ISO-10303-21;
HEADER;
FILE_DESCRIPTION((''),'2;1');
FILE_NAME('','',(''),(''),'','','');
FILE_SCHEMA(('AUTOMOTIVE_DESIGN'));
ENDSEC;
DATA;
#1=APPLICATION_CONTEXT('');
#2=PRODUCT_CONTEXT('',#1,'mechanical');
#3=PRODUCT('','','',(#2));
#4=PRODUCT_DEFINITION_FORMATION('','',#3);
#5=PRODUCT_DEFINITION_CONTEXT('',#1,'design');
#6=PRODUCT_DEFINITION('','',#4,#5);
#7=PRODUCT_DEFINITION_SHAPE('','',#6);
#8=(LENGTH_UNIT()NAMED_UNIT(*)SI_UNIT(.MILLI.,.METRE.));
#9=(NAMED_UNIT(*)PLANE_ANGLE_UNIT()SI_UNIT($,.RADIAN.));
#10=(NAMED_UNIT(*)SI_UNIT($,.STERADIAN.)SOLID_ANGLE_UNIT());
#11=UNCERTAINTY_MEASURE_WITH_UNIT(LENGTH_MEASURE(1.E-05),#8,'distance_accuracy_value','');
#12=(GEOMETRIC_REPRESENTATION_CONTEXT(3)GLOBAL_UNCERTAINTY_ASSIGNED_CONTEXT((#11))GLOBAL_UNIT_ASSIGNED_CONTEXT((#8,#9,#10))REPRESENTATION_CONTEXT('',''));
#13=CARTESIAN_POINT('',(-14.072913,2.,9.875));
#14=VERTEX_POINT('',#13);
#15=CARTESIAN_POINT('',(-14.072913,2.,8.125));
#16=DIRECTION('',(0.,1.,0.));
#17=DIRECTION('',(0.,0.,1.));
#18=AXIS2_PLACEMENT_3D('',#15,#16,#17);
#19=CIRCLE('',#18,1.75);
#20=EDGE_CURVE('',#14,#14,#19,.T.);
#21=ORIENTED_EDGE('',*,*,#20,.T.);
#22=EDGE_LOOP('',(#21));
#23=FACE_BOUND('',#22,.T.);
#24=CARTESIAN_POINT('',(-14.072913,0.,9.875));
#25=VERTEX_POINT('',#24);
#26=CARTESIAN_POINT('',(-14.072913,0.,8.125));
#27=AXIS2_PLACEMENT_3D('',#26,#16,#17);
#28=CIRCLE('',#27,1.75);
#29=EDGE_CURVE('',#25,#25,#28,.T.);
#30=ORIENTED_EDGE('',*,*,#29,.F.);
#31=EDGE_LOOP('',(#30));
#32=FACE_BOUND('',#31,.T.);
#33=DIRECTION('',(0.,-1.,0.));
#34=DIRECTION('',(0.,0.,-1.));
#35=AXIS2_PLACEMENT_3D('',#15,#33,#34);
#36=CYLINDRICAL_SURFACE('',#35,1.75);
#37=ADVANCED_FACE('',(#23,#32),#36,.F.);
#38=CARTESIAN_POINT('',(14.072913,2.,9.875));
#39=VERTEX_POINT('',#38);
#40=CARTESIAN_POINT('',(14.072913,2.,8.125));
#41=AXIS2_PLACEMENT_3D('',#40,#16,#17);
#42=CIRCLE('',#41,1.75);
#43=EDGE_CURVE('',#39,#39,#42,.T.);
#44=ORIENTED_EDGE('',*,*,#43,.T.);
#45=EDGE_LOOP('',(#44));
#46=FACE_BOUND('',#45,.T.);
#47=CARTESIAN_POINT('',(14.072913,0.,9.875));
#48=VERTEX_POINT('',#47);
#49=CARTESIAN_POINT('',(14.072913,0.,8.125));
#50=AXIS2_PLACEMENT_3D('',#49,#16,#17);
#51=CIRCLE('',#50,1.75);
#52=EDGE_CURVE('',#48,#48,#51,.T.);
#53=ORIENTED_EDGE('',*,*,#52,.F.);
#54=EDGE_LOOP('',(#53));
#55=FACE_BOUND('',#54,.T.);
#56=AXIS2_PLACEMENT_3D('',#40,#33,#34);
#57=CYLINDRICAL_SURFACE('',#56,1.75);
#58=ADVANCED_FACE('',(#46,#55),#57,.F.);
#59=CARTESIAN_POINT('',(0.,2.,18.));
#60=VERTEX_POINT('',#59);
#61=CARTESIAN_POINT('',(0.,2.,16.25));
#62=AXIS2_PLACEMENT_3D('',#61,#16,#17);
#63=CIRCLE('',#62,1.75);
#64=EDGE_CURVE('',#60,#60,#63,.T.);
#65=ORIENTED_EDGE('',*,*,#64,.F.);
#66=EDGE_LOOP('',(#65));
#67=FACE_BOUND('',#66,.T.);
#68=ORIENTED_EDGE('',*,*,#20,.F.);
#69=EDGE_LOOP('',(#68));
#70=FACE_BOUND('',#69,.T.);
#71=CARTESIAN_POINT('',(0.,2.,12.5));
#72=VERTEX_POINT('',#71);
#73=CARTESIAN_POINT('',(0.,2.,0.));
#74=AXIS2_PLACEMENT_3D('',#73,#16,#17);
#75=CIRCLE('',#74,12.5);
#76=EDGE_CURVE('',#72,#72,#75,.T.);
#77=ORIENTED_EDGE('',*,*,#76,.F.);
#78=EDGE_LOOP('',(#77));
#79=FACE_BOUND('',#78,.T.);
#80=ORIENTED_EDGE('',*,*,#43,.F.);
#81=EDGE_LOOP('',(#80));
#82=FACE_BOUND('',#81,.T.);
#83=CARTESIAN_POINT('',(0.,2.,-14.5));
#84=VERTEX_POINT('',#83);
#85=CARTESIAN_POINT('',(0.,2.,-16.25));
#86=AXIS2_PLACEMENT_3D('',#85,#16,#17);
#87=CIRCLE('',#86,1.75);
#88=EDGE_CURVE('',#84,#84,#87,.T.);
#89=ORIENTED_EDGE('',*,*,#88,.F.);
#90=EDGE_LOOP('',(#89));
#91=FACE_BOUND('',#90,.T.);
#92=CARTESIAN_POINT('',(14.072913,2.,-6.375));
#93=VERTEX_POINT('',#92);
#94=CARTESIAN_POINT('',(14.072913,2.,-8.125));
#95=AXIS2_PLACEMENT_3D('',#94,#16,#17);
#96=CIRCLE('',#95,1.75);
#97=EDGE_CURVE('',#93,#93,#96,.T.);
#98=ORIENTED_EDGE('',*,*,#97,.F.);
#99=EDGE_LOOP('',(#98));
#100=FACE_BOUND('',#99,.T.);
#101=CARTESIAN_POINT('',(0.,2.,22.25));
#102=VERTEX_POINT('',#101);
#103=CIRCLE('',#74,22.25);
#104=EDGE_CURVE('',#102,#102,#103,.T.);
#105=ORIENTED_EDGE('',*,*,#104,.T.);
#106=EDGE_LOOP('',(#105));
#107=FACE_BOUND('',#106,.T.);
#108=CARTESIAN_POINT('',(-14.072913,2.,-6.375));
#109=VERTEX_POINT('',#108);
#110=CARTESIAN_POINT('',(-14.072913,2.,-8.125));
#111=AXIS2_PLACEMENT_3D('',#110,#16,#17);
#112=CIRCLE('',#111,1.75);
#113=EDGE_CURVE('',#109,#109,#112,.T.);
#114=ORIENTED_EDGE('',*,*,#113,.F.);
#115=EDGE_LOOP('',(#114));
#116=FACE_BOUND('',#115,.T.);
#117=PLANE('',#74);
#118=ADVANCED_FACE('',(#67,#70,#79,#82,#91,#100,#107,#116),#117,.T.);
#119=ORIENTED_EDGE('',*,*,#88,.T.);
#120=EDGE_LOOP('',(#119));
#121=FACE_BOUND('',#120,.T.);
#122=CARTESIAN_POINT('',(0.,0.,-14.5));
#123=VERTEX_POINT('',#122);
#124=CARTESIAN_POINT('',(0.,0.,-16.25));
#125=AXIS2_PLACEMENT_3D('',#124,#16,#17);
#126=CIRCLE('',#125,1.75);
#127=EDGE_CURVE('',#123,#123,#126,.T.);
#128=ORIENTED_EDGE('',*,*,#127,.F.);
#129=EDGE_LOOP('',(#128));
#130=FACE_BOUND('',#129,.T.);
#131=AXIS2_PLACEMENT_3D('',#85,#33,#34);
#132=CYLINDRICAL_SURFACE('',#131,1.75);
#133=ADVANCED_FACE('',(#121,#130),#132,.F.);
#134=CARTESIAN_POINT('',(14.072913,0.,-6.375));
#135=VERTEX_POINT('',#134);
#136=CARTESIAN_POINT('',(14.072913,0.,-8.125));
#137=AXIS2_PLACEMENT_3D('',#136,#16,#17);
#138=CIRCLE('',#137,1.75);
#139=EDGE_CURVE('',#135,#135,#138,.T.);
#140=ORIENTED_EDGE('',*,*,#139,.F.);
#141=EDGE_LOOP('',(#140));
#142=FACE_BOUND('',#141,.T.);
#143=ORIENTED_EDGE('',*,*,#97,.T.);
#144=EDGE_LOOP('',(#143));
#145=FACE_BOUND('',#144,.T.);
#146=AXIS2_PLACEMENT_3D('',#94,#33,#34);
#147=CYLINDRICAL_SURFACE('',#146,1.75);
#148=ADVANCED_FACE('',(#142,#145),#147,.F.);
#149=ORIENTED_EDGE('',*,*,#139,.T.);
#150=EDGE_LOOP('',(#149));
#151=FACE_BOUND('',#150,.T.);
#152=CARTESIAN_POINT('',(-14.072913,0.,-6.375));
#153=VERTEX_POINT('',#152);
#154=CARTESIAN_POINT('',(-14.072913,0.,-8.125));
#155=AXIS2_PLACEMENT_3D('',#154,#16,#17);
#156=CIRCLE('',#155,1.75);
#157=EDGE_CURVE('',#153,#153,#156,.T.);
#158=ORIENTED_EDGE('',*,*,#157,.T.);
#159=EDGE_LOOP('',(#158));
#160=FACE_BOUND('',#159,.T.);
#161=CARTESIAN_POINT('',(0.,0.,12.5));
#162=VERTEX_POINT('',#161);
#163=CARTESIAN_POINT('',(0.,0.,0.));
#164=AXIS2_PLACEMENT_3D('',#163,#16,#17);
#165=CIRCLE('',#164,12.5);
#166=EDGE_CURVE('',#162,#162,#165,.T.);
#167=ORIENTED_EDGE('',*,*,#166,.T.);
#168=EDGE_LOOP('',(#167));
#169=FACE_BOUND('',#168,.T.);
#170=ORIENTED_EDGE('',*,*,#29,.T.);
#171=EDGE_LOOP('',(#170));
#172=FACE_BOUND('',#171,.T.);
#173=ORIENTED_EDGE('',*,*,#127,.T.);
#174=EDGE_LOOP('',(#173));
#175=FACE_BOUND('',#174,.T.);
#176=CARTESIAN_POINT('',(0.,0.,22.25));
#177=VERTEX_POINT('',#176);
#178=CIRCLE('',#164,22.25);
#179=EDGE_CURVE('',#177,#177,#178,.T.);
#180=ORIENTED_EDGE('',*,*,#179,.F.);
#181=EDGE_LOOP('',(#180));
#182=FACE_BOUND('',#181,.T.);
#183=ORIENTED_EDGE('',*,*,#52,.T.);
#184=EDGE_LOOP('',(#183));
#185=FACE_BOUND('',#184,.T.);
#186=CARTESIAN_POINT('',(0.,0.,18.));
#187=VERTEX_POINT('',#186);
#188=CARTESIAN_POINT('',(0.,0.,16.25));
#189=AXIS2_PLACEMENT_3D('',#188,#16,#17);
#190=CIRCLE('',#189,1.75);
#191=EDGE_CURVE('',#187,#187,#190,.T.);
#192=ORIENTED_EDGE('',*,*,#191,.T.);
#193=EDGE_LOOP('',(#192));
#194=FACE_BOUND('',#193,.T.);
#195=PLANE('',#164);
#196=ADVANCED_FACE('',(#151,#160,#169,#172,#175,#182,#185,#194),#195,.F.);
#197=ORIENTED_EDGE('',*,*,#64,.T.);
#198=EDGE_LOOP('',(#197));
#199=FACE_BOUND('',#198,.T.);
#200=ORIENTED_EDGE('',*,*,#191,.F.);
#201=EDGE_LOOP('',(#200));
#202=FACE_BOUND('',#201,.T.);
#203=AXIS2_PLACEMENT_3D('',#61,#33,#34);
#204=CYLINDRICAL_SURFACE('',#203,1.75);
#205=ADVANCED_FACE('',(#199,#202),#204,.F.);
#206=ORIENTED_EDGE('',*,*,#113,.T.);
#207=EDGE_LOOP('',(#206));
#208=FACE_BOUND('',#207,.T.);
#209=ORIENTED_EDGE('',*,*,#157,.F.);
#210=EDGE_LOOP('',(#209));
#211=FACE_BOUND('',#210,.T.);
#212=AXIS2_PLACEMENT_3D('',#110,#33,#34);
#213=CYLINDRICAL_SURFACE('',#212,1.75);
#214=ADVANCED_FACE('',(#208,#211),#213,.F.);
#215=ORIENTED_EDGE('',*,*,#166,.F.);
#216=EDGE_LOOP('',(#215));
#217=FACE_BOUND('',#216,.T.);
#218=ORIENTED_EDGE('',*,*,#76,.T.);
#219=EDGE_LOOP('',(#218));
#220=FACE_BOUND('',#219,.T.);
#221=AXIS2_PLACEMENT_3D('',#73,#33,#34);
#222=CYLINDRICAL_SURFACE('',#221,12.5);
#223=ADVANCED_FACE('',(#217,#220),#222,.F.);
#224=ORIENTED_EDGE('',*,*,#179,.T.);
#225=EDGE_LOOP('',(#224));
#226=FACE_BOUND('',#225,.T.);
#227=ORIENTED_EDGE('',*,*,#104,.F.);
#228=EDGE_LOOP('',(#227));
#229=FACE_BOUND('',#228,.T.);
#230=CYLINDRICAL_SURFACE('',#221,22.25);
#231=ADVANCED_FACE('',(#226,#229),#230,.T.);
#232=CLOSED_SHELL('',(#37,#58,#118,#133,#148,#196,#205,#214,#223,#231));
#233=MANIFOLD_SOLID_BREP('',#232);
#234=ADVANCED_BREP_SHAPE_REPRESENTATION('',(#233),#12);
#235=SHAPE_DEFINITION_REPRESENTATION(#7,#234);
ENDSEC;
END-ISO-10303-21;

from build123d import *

# Parameters (mm, degrees)
SKETCH1_R           = 22.25
SKETCH1_R_2         = 12.5
SKETCH1_R_3         = 1.75
BOSS_EXTRUDE1_DEPTH = 2


with BuildPart() as part:
    # Sketch1 → Boss-Extrude1 (new body)
    with BuildSketch(Plane(origin=(0, 0, 0), x_dir=(1, 0, 0), z_dir=(0, 1, 0))):
        with Locations(Location((0, 0, 0), (0, 0, 270))):
            Circle(SKETCH1_R)
        with Locations(Location((0, 0, 0), (0, 0, 270))):
            Circle(SKETCH1_R_2, mode=Mode.SUBTRACT)
        with Locations(Location((0, 16.25, 0), (0, 0, 270))):
            Circle(SKETCH1_R_3, mode=Mode.SUBTRACT)
        with Locations(Location((14.072912811, 8.125, 0), (0, 0, 270))):
            Circle(SKETCH1_R_3, mode=Mode.SUBTRACT)
        with Locations(Location((14.072912811, -8.125, 0), (0, 0, 270))):
            Circle(SKETCH1_R_3, mode=Mode.SUBTRACT)
        with Locations(Location((0, -16.25, 0), (0, 0, 270))):
            Circle(SKETCH1_R_3, mode=Mode.SUBTRACT)
        with Locations(Location((-14.072912811, -8.125, 0), (0, 0, 270))):
            Circle(SKETCH1_R_3, mode=Mode.SUBTRACT)
        with Locations(Location((-14.072912811, 8.125, 0), (0, 0, 270))):
            Circle(SKETCH1_R_3, mode=Mode.SUBTRACT)
    extrude(amount=BOSS_EXTRUDE1_DEPTH)


solid = part.part
